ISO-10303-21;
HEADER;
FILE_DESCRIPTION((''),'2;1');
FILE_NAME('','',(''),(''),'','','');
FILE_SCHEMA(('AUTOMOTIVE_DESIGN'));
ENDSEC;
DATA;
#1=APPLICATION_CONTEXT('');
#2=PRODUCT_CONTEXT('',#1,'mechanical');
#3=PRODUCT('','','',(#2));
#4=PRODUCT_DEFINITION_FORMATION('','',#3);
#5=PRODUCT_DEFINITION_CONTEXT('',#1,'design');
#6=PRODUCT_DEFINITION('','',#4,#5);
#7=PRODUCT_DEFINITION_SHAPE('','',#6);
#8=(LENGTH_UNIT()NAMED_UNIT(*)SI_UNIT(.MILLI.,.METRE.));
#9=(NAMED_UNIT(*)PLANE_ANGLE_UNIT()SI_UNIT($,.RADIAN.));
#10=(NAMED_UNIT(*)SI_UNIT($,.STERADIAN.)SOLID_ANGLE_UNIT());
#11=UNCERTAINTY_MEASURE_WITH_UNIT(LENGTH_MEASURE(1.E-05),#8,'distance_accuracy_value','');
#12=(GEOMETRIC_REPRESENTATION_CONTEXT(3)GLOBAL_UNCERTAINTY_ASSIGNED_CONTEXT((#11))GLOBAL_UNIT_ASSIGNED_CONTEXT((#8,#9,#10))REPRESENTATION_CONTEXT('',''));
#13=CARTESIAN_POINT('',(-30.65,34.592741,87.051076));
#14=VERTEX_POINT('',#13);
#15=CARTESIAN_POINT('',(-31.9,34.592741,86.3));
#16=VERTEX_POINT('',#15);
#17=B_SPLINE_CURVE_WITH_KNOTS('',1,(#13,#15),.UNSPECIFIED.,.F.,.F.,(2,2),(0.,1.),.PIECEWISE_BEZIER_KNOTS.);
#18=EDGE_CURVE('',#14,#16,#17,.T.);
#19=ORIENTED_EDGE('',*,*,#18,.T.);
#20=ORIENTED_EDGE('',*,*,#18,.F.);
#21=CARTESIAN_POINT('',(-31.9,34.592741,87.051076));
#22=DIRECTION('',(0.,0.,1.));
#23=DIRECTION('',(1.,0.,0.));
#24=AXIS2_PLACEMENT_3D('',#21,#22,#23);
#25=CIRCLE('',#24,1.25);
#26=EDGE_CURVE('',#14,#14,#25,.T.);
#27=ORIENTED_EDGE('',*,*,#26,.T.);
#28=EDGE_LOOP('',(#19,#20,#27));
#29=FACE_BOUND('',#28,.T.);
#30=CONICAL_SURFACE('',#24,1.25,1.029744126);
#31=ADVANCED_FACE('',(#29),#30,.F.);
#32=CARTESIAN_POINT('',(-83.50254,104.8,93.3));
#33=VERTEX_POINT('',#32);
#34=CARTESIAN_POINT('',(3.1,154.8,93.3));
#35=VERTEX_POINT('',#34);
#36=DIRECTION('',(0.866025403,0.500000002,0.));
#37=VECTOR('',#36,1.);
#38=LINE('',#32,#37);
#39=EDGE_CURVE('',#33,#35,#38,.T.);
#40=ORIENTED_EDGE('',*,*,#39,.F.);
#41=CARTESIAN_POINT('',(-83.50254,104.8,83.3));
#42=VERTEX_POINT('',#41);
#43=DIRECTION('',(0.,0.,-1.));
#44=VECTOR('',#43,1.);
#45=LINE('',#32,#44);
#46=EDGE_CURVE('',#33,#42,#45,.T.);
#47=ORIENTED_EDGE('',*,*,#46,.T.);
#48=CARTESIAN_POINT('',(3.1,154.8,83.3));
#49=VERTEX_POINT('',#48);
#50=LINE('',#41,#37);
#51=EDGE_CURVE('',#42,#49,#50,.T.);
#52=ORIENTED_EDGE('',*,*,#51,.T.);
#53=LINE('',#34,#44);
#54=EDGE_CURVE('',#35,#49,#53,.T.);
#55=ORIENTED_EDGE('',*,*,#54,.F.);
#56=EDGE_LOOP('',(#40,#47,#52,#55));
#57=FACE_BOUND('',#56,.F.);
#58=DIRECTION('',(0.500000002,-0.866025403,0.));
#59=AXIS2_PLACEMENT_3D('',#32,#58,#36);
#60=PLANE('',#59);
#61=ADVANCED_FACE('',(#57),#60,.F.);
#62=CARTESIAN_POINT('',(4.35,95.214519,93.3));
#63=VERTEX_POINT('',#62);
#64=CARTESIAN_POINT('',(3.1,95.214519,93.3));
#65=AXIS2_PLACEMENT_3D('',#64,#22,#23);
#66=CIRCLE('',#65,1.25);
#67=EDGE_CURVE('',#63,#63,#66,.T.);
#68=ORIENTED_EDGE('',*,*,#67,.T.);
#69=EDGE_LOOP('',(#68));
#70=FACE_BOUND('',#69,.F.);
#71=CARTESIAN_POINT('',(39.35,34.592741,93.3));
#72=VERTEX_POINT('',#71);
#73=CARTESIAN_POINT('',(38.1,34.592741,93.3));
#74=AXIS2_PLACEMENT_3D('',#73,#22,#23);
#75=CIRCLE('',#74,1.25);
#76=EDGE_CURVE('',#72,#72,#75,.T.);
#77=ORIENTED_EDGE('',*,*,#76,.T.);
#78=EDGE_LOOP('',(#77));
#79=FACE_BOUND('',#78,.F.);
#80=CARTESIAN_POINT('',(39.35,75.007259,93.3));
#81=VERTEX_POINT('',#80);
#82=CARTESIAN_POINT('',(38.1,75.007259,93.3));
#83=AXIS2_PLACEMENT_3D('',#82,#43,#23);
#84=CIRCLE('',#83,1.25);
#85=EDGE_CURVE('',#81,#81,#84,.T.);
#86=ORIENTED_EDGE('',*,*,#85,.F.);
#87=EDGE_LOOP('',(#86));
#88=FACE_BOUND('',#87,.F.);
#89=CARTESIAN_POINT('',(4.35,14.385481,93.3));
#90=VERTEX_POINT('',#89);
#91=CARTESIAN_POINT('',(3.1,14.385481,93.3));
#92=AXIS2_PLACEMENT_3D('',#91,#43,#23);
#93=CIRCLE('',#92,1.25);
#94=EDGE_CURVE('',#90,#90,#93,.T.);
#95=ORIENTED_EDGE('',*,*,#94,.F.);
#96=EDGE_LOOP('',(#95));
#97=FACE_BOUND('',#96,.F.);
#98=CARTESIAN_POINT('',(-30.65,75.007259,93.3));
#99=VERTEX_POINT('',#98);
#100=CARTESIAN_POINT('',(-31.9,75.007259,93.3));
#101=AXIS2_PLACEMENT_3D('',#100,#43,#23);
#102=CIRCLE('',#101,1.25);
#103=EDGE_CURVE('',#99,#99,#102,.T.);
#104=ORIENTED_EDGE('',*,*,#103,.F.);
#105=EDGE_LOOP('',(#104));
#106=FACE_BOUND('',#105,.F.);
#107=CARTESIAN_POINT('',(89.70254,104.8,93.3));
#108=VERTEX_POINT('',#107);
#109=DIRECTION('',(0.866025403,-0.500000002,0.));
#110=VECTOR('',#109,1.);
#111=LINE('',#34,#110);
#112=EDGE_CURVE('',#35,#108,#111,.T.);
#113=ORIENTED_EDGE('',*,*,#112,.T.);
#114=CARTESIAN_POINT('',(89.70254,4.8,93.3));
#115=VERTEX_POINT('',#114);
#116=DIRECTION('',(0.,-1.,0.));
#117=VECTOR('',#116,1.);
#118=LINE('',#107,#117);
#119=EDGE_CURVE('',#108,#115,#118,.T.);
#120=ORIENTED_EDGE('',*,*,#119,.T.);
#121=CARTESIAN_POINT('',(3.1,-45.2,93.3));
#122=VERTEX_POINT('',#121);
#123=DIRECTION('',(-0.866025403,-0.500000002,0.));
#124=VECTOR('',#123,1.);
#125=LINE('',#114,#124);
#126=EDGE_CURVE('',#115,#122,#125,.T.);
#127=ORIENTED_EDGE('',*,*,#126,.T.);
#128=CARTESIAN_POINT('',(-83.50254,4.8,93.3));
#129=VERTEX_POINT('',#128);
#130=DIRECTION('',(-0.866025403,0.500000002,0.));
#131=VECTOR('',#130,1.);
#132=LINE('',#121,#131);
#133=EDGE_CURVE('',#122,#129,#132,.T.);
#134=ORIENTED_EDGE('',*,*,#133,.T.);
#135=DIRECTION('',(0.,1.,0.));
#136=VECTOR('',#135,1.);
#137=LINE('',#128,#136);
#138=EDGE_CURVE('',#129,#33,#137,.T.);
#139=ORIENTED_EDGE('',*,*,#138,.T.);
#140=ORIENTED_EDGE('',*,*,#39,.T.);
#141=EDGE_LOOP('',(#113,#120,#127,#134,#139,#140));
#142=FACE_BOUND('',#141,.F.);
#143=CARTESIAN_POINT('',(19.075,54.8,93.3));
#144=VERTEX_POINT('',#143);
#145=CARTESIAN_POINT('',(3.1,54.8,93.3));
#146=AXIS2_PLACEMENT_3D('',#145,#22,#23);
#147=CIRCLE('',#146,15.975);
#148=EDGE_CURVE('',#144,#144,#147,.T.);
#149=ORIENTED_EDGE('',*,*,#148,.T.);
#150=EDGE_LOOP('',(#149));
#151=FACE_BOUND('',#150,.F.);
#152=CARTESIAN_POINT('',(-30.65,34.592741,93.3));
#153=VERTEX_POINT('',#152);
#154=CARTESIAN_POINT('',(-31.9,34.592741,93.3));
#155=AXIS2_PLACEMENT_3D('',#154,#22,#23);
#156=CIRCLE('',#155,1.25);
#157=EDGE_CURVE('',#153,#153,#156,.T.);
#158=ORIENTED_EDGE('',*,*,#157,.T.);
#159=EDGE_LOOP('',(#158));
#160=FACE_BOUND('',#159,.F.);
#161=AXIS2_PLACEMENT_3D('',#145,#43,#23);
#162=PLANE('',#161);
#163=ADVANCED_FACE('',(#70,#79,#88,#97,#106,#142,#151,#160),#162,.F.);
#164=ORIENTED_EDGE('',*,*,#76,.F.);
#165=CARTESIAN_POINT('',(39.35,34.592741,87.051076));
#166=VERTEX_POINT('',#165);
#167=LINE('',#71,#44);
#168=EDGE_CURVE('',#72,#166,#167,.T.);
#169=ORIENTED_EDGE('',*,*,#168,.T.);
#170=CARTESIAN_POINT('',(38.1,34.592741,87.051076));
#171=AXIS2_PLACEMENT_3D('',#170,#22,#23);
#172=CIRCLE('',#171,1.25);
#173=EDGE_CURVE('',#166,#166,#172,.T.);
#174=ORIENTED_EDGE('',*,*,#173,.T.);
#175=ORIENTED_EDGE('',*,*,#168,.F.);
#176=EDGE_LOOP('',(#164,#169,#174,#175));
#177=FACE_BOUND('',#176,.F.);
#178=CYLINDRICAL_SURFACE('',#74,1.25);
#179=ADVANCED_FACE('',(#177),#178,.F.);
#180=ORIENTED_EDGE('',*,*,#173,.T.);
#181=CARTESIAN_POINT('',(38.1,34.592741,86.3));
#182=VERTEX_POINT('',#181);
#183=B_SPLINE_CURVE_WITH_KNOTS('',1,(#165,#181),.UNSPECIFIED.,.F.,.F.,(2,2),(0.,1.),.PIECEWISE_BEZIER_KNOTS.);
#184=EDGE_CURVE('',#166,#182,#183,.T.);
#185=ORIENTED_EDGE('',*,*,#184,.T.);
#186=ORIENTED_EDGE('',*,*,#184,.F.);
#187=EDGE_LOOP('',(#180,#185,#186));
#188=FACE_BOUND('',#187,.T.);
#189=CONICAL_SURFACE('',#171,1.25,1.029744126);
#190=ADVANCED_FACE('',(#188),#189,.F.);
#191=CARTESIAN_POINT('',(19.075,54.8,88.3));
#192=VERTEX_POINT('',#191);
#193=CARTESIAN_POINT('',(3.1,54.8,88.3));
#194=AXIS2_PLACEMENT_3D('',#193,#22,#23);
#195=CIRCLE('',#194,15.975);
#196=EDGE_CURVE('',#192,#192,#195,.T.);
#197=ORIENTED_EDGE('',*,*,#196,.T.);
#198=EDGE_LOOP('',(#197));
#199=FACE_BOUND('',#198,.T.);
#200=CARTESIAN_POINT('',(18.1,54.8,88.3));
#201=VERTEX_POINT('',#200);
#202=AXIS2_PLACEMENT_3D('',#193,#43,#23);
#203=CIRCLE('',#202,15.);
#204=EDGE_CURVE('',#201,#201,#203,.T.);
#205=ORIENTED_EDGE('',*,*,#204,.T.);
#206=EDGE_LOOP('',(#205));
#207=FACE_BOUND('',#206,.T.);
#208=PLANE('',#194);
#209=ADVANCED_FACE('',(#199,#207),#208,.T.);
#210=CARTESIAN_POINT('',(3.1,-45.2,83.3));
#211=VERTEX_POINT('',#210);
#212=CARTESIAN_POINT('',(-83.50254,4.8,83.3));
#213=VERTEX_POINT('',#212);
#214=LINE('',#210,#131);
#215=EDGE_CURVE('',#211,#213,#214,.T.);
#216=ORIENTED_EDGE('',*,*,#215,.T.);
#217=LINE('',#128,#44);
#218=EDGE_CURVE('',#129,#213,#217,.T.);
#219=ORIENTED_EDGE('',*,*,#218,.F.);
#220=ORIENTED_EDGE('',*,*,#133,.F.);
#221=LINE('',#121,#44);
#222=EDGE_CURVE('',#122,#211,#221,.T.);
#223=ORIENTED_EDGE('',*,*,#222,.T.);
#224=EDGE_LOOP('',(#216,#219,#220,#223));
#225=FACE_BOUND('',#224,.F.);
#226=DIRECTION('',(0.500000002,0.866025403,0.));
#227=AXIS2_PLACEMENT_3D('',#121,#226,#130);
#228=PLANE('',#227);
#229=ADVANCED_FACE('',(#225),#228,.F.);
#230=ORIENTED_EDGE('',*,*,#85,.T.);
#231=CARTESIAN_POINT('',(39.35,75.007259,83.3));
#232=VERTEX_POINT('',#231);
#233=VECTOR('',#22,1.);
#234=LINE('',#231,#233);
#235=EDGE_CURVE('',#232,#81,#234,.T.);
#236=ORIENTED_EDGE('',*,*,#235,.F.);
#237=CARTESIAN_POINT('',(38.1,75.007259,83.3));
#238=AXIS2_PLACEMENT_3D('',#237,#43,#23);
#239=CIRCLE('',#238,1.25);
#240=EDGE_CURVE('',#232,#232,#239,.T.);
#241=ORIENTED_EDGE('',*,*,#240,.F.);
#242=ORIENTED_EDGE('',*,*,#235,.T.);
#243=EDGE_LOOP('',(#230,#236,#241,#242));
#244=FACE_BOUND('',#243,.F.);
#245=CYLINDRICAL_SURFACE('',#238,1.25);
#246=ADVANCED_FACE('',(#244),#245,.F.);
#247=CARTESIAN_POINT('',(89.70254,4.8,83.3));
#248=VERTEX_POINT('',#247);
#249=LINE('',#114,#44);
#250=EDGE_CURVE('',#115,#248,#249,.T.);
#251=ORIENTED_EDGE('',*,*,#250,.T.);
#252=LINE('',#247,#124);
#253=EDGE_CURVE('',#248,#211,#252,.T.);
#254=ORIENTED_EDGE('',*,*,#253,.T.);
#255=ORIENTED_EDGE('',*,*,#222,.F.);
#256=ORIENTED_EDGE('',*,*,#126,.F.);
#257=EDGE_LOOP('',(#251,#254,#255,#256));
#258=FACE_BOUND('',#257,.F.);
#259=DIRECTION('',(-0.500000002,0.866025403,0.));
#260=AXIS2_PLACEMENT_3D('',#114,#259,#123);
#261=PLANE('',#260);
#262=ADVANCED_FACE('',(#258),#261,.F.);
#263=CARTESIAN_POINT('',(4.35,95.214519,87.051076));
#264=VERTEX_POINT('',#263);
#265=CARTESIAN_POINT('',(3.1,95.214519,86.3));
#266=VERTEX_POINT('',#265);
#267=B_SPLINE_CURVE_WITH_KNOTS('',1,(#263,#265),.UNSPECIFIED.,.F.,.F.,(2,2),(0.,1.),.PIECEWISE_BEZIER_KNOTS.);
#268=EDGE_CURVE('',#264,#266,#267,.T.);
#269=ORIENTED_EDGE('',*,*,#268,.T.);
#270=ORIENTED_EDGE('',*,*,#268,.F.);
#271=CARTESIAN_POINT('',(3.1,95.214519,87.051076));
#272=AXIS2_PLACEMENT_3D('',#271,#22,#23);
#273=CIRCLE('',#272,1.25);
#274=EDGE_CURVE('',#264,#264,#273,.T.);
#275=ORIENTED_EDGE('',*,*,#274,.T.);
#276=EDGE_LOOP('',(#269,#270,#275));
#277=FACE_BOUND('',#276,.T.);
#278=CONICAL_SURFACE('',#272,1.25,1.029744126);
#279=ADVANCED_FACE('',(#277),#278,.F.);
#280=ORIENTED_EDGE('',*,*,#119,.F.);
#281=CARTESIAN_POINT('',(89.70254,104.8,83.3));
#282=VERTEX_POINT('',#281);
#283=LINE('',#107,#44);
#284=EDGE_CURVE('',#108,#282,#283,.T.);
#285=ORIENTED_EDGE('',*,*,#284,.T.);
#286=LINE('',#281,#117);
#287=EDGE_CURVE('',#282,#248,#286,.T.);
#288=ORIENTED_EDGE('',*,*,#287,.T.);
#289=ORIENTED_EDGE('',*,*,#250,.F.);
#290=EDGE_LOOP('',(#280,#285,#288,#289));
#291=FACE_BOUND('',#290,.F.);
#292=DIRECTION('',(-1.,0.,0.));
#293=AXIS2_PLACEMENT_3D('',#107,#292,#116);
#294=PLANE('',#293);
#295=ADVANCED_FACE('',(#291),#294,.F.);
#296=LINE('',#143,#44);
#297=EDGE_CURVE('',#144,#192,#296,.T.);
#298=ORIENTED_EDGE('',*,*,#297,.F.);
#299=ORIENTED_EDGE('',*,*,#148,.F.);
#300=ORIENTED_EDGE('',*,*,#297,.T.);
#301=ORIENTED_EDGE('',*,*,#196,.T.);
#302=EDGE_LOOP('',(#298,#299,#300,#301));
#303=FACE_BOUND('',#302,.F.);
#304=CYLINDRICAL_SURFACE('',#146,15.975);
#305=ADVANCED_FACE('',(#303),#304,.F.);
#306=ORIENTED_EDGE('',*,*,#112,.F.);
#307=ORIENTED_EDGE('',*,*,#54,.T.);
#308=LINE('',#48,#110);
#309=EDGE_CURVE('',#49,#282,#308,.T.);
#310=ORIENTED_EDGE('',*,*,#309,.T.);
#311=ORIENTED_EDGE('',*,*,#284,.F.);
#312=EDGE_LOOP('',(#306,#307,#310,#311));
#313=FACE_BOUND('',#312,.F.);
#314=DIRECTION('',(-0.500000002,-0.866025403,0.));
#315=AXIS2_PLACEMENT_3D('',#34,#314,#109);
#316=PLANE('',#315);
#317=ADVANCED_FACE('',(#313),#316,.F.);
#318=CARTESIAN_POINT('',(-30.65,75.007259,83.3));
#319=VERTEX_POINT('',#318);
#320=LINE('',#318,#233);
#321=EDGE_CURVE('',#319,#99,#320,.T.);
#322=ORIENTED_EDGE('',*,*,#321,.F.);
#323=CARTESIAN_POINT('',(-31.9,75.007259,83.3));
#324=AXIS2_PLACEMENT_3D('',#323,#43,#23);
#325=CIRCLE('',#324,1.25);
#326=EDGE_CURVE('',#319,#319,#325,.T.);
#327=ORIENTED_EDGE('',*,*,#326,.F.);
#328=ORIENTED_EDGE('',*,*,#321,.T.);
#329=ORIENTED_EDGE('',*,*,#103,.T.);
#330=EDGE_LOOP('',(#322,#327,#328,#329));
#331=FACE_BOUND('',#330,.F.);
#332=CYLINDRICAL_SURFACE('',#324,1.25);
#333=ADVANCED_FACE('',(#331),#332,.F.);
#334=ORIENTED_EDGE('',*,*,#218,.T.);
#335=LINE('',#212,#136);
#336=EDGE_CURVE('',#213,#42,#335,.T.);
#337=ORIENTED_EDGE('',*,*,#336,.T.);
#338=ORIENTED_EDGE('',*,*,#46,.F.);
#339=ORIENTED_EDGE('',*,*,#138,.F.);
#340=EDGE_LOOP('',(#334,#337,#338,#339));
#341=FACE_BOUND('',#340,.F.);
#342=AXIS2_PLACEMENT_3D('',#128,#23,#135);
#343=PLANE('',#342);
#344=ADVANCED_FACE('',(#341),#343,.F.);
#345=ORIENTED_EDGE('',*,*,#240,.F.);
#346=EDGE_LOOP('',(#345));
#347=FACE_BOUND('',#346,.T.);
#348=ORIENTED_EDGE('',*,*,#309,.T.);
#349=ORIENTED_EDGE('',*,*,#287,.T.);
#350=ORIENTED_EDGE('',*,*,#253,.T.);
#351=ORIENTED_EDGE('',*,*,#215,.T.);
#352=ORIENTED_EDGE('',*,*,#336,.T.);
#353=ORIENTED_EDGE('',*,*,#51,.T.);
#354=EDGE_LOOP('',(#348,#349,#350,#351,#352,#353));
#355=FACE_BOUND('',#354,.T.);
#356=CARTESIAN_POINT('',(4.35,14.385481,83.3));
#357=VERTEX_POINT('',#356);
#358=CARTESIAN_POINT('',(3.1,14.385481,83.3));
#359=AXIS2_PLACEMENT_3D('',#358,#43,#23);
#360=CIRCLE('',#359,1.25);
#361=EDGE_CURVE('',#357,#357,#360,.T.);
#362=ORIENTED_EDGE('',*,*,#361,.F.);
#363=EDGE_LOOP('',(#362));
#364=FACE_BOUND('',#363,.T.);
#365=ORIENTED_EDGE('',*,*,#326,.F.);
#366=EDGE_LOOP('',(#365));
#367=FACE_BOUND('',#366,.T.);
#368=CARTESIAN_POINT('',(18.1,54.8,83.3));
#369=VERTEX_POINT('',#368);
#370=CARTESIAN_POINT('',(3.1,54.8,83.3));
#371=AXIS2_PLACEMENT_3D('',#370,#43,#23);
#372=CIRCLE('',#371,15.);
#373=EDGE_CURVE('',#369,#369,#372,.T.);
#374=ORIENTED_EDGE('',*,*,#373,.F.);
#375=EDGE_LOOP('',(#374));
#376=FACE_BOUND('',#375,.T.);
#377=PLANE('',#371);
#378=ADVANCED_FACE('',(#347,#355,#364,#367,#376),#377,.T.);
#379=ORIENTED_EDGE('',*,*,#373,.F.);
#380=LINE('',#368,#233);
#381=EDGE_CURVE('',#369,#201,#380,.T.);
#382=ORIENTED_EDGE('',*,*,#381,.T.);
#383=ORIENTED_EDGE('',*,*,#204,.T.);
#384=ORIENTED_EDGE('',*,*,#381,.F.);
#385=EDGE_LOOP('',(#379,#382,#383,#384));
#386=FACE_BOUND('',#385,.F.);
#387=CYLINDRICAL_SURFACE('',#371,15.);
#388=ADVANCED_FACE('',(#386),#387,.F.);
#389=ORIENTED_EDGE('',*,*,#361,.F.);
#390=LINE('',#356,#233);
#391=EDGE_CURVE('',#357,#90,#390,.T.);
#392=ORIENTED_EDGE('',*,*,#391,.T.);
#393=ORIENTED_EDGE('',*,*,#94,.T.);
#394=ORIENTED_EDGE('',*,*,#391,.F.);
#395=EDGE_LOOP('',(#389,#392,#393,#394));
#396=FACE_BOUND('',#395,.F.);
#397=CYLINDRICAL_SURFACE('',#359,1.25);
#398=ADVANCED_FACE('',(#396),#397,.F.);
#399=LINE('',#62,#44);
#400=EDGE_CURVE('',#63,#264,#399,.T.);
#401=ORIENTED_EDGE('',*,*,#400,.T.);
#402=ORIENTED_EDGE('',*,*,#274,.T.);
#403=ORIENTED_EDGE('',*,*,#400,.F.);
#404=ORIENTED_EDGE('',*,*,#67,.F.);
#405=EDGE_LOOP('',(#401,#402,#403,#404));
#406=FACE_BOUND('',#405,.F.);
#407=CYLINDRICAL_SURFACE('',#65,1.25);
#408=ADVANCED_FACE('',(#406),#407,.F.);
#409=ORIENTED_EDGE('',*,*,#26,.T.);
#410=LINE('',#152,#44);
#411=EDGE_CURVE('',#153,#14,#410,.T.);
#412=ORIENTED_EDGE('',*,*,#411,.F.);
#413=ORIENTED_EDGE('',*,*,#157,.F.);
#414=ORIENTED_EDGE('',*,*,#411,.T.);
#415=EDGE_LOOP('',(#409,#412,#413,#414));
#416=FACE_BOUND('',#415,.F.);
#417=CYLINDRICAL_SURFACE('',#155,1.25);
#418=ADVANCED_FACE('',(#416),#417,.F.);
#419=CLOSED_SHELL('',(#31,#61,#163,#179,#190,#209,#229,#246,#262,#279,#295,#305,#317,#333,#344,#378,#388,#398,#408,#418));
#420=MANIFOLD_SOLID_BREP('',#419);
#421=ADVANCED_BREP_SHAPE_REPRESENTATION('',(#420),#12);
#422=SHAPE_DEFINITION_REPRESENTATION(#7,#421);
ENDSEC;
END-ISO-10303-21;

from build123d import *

# Parameters (mm, degrees)
PAD002_DEPTH            = 10
SKETCH009_R             = 15.975
POCKET007_DEPTH         = 5
SKETCH008_R             = 15
POCKET008_DEPTH         = 5
SKETCH024_R             = 1.25
HOLE004_DEPTH           = 10.001
SKETCH066_R             = 1.25
HOLE005_DEPTH           = 6.248924
HOLE005_TIPS_R          = 1.25
BODY002_PLACEMENT_ANGLE = 180


with BuildPart() as part:
    # Sketch007 → Pad002 (new body)
    with BuildSketch(Plane.XY):
        Polygon((86.60254, 50), (0, 100), (-86.60254, 50), (-86.60254, -50), (0, -100), (86.60254, -50), align=None)
    extrude(amount=PAD002_DEPTH)

    # Sketch009 → Pocket007 (cut)
    with BuildSketch(Plane(origin=(0, 0, 0), x_dir=(1, 0, 0), z_dir=(0, 0, -1))):
        Circle(SKETCH009_R)
    extrude(amount=-POCKET007_DEPTH, mode=Mode.SUBTRACT)

    # Sketch008 → Pocket008 (cut)
    with BuildSketch(Plane.XY.offset(10)):
        Circle(SKETCH008_R)
    extrude(amount=-POCKET008_DEPTH, mode=Mode.SUBTRACT)

    # Sketch024 → Hole004 (cut, through all)
    with BuildSketch(Plane.XY.offset(10)):
        with Locations((35, -20.207259)):
            Circle(SKETCH024_R)
        with Locations((0, 40.414519)):
            Circle(SKETCH024_R)
        with Locations((-35, -20.207259)):
            Circle(SKETCH024_R)
    extrude(amount=-HOLE004_DEPTH, mode=Mode.SUBTRACT)

    # Sketch066 (on Face4 of Hole004) → Hole005 (cut)
    with BuildSketch(Plane(origin=(0, 0, 0), x_dir=(1, 0, 0), z_dir=(0, 0, -1))):
        with Locations((35, -20.207259)):
            Circle(SKETCH066_R)
        with Locations((0, 40.414519)):
            Circle(SKETCH066_R)
        with Locations((-35, -20.207259)):
            Circle(SKETCH066_R)
    extrude(amount=-HOLE005_DEPTH, mode=Mode.SUBTRACT)

    # Hole005 tips → Hole005 tip 1 section 0
    with BuildSketch(Plane(origin=(0, 0, 6.248924), x_dir=(1, 0, 0), z_dir=(0, 0, -1)), mode=Mode.PRIVATE) as hole005_tip_1_s0:
        with Locations((35, -20.207259)):
            Circle(HOLE005_TIPS_R)
    loft([hole005_tip_1_s0.sketch, Vertex(35, 20.207259, 7)], mode=Mode.SUBTRACT)

    # Hole005 tips → Hole005 tip 2 section 0
    with BuildSketch(Plane(origin=(0, 0, 6.248924), x_dir=(1, 0, 0), z_dir=(0, 0, -1)), mode=Mode.PRIVATE) as hole005_tip_2_s0:
        with Locations((0, 40.414519)):
            Circle(HOLE005_TIPS_R)
    loft([hole005_tip_2_s0.sketch, Vertex(0, -40.414519, 7)], mode=Mode.SUBTRACT)

    # Hole005 tips → Hole005 tip 3 section 0
    with BuildSketch(Plane(origin=(0, 0, 6.248924), x_dir=(1, 0, 0), z_dir=(0, 0, -1)), mode=Mode.PRIVATE) as hole005_tip_3_s0:
        with Locations((-35, -20.207259)):
            Circle(HOLE005_TIPS_R)
    loft([hole005_tip_3_s0.sketch, Vertex(-35, 20.207259, 7)], mode=Mode.SUBTRACT)


with BuildPart() as part_1:
    # Body002 placement: moved
    add(part.part.moved(Location((3.1, 54.8, 93.3))).rotate(Axis((3.1, 54.8, 93.3), (1, 0, 0)), BODY002_PLACEMENT_ANGLE))


solid = part_1.part
